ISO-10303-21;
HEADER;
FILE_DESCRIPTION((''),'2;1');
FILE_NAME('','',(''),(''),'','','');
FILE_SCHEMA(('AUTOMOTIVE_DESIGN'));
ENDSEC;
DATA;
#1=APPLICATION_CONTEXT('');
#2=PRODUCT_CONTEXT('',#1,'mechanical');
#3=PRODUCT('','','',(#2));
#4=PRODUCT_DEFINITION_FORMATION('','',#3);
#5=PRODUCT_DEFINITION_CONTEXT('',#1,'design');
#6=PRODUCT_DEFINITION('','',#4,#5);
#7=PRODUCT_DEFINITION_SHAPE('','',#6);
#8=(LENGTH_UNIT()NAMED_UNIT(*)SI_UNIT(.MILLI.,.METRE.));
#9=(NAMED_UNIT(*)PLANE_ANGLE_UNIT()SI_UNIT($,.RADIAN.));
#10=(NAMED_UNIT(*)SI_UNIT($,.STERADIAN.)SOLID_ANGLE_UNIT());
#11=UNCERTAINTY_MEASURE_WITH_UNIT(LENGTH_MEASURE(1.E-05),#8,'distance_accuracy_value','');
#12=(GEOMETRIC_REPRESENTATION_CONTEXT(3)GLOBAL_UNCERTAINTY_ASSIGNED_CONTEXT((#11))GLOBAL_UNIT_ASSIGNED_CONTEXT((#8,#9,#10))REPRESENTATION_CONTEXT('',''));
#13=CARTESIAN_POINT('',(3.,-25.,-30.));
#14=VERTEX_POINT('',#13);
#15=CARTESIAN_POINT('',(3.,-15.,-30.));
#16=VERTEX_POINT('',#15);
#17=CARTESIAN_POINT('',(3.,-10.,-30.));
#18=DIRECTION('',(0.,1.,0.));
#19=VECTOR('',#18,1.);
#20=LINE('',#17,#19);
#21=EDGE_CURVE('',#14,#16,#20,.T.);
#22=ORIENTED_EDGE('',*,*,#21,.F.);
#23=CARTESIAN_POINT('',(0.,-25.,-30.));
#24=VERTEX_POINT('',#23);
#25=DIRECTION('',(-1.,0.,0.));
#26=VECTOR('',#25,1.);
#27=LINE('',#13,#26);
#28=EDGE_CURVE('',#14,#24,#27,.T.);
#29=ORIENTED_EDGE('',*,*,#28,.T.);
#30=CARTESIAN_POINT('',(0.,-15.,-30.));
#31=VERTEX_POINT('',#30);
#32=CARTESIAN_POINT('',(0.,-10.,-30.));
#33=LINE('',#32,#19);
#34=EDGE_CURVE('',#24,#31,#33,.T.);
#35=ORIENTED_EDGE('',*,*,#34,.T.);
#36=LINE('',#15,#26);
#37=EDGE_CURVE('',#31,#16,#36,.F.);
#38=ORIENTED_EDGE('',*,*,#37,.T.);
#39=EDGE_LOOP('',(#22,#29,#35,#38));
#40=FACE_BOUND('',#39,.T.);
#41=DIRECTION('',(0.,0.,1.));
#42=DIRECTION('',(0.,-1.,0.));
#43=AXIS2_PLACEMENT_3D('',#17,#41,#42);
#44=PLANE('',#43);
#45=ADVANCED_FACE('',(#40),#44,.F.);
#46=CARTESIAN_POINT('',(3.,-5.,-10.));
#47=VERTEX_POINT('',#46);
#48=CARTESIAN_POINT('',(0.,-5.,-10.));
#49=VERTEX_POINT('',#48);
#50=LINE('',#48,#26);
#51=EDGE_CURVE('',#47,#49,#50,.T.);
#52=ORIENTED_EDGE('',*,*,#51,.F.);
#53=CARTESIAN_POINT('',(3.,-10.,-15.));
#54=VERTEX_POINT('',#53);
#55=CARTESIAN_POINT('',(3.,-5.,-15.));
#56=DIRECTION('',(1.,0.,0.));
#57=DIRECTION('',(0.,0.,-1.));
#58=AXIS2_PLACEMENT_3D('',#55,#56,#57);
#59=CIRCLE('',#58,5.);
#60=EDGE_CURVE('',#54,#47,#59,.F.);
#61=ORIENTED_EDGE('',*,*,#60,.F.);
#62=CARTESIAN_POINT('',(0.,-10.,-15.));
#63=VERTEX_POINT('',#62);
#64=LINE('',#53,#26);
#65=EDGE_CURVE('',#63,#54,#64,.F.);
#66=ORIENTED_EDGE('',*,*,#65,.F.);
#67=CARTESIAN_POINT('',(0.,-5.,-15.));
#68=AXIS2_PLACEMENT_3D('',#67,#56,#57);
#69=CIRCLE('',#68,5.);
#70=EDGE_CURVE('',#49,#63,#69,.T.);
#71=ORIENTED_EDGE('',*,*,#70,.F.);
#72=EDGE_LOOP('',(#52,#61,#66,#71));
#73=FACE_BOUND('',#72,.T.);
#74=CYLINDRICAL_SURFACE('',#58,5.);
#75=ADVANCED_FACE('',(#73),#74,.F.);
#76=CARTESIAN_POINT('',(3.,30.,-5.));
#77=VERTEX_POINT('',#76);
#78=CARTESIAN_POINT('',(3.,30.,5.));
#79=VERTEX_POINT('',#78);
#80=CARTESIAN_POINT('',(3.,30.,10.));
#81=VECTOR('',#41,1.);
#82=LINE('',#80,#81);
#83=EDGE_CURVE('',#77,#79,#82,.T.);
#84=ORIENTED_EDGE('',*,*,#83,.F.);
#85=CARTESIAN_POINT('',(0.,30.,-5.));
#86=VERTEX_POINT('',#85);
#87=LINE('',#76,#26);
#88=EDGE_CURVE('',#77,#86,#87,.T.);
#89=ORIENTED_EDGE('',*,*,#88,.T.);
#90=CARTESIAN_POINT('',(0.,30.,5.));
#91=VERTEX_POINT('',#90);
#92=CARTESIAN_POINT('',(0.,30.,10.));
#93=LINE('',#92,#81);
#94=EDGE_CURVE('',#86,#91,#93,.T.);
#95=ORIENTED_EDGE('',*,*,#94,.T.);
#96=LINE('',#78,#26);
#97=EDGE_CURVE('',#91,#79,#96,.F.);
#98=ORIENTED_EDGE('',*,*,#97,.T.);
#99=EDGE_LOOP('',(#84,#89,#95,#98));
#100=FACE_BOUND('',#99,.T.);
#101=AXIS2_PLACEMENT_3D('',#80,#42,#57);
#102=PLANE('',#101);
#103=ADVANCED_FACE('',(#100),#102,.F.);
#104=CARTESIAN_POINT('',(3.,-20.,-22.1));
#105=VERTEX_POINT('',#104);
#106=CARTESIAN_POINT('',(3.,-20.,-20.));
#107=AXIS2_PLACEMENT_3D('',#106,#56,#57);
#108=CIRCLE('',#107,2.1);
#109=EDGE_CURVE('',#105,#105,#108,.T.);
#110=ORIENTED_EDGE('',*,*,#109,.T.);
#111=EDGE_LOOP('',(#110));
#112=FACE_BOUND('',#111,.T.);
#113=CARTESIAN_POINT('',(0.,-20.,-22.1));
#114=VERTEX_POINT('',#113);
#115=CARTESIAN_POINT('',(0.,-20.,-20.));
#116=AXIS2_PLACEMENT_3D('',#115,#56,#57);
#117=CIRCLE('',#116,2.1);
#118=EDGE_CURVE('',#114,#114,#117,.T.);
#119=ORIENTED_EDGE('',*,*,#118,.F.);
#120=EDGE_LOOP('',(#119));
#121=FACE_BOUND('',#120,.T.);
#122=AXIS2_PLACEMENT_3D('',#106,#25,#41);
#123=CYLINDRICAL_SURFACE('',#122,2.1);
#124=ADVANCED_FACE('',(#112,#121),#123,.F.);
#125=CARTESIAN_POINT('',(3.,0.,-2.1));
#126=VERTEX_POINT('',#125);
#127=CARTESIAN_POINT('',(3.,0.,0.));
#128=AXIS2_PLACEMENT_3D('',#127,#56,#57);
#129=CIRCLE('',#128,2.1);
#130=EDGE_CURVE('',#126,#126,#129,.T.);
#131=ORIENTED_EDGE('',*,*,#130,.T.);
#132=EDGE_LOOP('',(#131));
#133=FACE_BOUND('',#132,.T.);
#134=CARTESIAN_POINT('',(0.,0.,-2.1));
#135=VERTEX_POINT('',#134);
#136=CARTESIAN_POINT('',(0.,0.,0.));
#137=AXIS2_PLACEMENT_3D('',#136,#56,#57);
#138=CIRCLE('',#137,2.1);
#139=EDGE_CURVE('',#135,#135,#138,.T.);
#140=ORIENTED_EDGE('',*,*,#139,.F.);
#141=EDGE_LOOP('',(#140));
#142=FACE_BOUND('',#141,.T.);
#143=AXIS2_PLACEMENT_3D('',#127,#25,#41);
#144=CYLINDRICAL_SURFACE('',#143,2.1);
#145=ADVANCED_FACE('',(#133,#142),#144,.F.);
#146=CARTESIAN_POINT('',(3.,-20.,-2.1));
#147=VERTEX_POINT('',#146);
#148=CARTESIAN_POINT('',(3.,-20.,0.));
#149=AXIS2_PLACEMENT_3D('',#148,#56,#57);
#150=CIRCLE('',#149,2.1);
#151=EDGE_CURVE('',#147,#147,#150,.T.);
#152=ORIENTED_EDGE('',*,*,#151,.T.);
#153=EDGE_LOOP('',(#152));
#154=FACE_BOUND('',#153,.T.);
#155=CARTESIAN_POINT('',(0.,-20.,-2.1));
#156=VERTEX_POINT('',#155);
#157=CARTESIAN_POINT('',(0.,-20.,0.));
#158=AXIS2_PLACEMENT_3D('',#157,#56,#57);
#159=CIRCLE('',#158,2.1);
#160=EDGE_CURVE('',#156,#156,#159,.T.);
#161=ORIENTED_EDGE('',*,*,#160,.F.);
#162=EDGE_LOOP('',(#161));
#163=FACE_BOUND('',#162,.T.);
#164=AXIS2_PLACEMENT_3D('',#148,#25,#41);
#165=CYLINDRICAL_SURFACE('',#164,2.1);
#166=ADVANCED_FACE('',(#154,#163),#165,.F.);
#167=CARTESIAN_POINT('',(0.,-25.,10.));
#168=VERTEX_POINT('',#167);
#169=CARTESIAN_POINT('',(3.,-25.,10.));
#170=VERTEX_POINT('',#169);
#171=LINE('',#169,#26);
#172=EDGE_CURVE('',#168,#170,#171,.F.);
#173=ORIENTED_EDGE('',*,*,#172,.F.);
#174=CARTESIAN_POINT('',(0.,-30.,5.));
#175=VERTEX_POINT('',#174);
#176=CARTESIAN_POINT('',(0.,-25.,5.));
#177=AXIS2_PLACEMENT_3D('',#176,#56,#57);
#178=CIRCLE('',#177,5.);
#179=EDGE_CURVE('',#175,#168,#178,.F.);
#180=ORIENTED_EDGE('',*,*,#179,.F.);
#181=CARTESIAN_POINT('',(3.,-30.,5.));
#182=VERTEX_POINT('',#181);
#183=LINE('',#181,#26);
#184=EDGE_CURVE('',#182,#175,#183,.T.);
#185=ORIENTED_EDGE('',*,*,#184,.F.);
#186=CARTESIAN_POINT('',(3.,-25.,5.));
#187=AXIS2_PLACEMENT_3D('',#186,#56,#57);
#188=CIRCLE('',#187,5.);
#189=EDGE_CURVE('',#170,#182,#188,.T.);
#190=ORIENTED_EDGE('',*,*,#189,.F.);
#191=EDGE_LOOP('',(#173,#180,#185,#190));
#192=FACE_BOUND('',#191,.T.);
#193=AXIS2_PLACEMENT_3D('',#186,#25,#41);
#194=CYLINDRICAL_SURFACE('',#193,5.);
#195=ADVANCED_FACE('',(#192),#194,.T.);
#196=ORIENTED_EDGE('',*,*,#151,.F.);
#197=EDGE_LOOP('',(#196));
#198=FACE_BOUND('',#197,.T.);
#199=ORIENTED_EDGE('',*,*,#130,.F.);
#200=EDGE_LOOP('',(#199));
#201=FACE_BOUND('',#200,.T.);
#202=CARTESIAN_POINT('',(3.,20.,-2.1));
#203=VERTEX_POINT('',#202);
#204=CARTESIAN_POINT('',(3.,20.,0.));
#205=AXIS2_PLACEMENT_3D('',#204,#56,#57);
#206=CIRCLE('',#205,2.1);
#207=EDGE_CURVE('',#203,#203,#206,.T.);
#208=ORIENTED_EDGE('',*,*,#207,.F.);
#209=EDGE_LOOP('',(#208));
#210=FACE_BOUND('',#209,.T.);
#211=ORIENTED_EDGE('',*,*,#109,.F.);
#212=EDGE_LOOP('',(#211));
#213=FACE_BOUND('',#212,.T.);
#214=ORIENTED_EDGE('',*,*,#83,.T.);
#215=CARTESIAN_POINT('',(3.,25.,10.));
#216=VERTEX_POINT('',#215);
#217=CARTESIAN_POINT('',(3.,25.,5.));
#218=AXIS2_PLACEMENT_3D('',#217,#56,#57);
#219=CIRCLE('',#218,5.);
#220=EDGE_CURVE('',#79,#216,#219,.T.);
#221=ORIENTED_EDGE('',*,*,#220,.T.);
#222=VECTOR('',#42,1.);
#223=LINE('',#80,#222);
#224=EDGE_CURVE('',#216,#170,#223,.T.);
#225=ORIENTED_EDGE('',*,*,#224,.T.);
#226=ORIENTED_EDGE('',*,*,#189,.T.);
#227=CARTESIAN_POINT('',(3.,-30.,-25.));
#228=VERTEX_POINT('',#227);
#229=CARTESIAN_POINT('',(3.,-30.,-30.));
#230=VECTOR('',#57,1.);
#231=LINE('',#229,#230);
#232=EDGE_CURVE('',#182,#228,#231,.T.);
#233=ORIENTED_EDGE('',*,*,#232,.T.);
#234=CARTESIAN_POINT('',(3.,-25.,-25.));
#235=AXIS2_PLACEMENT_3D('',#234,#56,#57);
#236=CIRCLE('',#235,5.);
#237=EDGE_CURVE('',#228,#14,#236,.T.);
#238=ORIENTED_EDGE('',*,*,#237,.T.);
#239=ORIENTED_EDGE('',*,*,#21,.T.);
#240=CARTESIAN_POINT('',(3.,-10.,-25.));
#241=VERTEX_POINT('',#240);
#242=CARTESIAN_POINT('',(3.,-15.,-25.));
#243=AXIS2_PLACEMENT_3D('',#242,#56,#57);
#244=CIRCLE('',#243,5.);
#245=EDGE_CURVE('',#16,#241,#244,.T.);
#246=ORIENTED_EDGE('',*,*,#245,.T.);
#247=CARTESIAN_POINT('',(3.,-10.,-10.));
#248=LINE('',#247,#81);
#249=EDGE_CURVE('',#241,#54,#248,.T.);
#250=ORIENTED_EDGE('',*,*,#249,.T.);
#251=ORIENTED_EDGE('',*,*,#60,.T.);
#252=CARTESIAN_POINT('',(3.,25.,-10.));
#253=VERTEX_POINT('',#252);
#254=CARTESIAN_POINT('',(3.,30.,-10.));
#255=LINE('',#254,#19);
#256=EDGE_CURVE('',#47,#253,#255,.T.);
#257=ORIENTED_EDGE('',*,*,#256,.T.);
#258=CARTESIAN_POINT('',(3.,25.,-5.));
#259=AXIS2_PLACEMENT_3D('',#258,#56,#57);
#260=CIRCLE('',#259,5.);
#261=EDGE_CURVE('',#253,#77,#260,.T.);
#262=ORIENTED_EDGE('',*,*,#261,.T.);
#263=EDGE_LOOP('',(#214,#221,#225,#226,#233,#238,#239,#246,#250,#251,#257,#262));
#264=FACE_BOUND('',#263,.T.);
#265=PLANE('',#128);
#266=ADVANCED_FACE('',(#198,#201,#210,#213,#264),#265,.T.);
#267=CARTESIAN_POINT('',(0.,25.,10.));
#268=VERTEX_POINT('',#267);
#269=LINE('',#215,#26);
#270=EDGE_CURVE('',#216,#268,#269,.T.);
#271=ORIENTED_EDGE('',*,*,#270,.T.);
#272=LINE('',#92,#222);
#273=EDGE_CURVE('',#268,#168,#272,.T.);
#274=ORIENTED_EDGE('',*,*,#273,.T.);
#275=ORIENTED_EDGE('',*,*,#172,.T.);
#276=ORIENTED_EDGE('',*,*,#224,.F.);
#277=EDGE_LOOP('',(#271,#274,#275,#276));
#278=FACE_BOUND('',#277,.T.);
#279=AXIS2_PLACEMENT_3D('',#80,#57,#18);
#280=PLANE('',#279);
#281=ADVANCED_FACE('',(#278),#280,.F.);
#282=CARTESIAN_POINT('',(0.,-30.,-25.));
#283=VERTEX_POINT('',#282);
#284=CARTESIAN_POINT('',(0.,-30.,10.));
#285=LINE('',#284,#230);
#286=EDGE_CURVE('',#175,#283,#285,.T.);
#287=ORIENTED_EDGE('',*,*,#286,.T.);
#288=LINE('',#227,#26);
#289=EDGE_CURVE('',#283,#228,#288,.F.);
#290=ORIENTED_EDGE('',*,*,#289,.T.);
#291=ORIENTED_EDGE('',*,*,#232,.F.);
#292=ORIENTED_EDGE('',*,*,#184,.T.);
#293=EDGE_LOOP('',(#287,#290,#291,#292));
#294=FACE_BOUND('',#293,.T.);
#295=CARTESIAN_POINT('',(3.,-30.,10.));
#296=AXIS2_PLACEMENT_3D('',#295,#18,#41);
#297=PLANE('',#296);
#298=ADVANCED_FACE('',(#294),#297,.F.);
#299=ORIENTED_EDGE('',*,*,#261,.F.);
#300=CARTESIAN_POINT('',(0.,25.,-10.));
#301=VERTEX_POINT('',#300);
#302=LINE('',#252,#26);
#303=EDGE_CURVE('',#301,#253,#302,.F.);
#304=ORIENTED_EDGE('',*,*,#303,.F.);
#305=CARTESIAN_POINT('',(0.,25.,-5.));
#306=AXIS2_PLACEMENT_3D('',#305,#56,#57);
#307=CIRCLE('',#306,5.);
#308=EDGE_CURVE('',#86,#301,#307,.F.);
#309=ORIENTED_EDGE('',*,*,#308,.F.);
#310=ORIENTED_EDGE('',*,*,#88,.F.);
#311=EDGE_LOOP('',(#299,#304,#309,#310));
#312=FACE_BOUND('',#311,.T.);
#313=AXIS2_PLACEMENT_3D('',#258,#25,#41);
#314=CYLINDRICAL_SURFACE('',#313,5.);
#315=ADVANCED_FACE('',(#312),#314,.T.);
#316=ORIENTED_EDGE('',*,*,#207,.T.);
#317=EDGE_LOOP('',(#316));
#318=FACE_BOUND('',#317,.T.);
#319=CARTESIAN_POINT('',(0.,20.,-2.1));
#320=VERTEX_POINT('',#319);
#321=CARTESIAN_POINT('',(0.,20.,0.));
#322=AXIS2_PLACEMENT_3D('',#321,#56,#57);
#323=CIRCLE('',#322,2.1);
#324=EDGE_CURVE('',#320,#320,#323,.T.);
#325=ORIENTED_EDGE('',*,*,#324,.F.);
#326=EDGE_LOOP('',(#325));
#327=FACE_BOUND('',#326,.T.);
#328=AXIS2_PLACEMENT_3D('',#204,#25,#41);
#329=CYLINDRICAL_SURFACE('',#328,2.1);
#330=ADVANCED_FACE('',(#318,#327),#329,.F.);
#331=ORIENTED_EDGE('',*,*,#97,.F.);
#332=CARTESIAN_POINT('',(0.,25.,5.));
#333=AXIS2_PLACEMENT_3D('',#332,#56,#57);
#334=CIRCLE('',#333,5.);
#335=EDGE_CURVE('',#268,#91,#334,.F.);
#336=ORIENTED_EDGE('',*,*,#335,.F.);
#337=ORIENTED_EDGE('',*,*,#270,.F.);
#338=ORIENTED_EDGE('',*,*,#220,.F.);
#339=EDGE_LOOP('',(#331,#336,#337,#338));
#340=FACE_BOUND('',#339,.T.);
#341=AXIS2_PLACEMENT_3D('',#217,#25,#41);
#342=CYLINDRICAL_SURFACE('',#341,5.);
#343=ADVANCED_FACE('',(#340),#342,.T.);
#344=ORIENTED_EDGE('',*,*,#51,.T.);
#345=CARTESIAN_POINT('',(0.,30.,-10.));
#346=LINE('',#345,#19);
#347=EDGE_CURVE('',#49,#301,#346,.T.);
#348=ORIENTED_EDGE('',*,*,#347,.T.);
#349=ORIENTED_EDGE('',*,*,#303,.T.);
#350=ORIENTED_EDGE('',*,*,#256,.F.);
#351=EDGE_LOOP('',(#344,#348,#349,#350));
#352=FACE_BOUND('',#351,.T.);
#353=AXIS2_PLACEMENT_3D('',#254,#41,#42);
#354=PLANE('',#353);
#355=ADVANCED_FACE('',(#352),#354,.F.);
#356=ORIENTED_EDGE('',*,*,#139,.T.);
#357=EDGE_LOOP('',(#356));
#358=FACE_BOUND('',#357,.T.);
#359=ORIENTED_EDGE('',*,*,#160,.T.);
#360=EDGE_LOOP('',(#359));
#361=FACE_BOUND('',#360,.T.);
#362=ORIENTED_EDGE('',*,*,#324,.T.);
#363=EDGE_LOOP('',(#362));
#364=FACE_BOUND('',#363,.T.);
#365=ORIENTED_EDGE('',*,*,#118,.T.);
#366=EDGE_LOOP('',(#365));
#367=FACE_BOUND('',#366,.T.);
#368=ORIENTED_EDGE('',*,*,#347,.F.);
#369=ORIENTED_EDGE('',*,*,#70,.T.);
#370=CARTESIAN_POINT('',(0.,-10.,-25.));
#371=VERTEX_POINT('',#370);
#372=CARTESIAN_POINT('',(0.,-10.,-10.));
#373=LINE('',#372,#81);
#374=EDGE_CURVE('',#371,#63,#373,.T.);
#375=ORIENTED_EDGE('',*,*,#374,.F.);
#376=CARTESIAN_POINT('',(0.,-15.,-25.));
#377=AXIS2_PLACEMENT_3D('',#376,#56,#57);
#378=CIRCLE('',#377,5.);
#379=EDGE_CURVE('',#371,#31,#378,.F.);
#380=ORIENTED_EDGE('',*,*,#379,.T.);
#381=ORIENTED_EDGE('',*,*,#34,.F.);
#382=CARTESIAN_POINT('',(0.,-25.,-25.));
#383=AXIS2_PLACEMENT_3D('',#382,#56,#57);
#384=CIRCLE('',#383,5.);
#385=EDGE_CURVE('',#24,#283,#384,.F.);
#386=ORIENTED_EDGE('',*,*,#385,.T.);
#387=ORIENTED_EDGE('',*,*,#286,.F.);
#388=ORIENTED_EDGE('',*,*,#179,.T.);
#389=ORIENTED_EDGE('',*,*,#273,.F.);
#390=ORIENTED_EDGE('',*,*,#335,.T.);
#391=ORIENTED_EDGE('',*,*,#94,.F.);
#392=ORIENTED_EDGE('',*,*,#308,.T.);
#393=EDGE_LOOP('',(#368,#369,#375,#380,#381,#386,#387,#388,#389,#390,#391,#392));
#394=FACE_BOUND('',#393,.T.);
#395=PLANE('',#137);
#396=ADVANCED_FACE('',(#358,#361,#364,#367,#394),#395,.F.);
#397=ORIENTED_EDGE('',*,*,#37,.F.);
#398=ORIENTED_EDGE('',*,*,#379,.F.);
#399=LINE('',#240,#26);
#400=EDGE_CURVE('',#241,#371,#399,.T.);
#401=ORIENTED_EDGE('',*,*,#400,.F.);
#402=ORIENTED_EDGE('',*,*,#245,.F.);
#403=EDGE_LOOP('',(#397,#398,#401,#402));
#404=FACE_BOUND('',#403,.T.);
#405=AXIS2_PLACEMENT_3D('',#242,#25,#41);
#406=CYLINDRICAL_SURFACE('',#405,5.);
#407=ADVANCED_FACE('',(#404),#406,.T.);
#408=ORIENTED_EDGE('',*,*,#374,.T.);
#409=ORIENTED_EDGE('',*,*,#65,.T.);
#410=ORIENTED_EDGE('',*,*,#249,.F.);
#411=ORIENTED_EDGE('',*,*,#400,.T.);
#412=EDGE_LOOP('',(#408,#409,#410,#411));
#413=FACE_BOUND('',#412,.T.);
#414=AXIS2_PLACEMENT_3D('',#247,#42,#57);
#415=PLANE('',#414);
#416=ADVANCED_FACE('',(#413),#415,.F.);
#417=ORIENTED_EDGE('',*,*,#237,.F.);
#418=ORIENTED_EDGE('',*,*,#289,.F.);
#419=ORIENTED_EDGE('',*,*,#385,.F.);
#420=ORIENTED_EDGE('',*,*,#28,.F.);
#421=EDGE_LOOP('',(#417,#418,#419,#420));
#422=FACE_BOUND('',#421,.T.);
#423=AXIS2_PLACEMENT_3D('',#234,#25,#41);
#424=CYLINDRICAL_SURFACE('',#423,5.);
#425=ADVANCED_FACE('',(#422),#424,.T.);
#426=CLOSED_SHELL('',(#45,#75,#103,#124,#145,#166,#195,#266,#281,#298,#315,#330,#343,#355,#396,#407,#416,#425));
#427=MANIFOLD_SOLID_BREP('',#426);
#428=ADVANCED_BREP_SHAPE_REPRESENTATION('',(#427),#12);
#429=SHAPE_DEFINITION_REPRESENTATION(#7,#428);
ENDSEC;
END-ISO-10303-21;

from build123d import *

# Parameters (mm, degrees)
SKETCH_1_R      = 2.1
EXTRUDE_1_DEPTH = 3
FILLET_2_R      = 5


with BuildPart() as part:
    # 草图1 → 凸台-拉伸1 (new body)
    with BuildSketch(Plane(origin=(0, 0, 0), x_dir=(0, 0, -1), z_dir=(1, 0, 0))):
        Polygon((10, -10), (30, -10), (30, -30), (10, -30), (-10, -30), (-10, 30), (10, 30), align=None)
        with Locations((0, 20)):
            Circle(SKETCH_1_R, mode=Mode.SUBTRACT)
        Circle(SKETCH_1_R, mode=Mode.SUBTRACT)
        with Locations((0, -20)):
            Circle(SKETCH_1_R, mode=Mode.SUBTRACT)
        with Locations((20, -20)):
            Circle(SKETCH_1_R, mode=Mode.SUBTRACT)
    extrude(amount=EXTRUDE_1_DEPTH)

    # 圆角2
    fillet_2_edges = [part.edges().sort_by_distance(p)[0] for p in [
        (1.5, -30, 10),
        (1.5, 30, 10),
        (1.5, 30, -10),
        (1.5, -10, -10),
        (1.5, -10, -30),
        (1.5, -30, -30),
    ]]
    fillet(fillet_2_edges, radius=FILLET_2_R)


solid = part.part
